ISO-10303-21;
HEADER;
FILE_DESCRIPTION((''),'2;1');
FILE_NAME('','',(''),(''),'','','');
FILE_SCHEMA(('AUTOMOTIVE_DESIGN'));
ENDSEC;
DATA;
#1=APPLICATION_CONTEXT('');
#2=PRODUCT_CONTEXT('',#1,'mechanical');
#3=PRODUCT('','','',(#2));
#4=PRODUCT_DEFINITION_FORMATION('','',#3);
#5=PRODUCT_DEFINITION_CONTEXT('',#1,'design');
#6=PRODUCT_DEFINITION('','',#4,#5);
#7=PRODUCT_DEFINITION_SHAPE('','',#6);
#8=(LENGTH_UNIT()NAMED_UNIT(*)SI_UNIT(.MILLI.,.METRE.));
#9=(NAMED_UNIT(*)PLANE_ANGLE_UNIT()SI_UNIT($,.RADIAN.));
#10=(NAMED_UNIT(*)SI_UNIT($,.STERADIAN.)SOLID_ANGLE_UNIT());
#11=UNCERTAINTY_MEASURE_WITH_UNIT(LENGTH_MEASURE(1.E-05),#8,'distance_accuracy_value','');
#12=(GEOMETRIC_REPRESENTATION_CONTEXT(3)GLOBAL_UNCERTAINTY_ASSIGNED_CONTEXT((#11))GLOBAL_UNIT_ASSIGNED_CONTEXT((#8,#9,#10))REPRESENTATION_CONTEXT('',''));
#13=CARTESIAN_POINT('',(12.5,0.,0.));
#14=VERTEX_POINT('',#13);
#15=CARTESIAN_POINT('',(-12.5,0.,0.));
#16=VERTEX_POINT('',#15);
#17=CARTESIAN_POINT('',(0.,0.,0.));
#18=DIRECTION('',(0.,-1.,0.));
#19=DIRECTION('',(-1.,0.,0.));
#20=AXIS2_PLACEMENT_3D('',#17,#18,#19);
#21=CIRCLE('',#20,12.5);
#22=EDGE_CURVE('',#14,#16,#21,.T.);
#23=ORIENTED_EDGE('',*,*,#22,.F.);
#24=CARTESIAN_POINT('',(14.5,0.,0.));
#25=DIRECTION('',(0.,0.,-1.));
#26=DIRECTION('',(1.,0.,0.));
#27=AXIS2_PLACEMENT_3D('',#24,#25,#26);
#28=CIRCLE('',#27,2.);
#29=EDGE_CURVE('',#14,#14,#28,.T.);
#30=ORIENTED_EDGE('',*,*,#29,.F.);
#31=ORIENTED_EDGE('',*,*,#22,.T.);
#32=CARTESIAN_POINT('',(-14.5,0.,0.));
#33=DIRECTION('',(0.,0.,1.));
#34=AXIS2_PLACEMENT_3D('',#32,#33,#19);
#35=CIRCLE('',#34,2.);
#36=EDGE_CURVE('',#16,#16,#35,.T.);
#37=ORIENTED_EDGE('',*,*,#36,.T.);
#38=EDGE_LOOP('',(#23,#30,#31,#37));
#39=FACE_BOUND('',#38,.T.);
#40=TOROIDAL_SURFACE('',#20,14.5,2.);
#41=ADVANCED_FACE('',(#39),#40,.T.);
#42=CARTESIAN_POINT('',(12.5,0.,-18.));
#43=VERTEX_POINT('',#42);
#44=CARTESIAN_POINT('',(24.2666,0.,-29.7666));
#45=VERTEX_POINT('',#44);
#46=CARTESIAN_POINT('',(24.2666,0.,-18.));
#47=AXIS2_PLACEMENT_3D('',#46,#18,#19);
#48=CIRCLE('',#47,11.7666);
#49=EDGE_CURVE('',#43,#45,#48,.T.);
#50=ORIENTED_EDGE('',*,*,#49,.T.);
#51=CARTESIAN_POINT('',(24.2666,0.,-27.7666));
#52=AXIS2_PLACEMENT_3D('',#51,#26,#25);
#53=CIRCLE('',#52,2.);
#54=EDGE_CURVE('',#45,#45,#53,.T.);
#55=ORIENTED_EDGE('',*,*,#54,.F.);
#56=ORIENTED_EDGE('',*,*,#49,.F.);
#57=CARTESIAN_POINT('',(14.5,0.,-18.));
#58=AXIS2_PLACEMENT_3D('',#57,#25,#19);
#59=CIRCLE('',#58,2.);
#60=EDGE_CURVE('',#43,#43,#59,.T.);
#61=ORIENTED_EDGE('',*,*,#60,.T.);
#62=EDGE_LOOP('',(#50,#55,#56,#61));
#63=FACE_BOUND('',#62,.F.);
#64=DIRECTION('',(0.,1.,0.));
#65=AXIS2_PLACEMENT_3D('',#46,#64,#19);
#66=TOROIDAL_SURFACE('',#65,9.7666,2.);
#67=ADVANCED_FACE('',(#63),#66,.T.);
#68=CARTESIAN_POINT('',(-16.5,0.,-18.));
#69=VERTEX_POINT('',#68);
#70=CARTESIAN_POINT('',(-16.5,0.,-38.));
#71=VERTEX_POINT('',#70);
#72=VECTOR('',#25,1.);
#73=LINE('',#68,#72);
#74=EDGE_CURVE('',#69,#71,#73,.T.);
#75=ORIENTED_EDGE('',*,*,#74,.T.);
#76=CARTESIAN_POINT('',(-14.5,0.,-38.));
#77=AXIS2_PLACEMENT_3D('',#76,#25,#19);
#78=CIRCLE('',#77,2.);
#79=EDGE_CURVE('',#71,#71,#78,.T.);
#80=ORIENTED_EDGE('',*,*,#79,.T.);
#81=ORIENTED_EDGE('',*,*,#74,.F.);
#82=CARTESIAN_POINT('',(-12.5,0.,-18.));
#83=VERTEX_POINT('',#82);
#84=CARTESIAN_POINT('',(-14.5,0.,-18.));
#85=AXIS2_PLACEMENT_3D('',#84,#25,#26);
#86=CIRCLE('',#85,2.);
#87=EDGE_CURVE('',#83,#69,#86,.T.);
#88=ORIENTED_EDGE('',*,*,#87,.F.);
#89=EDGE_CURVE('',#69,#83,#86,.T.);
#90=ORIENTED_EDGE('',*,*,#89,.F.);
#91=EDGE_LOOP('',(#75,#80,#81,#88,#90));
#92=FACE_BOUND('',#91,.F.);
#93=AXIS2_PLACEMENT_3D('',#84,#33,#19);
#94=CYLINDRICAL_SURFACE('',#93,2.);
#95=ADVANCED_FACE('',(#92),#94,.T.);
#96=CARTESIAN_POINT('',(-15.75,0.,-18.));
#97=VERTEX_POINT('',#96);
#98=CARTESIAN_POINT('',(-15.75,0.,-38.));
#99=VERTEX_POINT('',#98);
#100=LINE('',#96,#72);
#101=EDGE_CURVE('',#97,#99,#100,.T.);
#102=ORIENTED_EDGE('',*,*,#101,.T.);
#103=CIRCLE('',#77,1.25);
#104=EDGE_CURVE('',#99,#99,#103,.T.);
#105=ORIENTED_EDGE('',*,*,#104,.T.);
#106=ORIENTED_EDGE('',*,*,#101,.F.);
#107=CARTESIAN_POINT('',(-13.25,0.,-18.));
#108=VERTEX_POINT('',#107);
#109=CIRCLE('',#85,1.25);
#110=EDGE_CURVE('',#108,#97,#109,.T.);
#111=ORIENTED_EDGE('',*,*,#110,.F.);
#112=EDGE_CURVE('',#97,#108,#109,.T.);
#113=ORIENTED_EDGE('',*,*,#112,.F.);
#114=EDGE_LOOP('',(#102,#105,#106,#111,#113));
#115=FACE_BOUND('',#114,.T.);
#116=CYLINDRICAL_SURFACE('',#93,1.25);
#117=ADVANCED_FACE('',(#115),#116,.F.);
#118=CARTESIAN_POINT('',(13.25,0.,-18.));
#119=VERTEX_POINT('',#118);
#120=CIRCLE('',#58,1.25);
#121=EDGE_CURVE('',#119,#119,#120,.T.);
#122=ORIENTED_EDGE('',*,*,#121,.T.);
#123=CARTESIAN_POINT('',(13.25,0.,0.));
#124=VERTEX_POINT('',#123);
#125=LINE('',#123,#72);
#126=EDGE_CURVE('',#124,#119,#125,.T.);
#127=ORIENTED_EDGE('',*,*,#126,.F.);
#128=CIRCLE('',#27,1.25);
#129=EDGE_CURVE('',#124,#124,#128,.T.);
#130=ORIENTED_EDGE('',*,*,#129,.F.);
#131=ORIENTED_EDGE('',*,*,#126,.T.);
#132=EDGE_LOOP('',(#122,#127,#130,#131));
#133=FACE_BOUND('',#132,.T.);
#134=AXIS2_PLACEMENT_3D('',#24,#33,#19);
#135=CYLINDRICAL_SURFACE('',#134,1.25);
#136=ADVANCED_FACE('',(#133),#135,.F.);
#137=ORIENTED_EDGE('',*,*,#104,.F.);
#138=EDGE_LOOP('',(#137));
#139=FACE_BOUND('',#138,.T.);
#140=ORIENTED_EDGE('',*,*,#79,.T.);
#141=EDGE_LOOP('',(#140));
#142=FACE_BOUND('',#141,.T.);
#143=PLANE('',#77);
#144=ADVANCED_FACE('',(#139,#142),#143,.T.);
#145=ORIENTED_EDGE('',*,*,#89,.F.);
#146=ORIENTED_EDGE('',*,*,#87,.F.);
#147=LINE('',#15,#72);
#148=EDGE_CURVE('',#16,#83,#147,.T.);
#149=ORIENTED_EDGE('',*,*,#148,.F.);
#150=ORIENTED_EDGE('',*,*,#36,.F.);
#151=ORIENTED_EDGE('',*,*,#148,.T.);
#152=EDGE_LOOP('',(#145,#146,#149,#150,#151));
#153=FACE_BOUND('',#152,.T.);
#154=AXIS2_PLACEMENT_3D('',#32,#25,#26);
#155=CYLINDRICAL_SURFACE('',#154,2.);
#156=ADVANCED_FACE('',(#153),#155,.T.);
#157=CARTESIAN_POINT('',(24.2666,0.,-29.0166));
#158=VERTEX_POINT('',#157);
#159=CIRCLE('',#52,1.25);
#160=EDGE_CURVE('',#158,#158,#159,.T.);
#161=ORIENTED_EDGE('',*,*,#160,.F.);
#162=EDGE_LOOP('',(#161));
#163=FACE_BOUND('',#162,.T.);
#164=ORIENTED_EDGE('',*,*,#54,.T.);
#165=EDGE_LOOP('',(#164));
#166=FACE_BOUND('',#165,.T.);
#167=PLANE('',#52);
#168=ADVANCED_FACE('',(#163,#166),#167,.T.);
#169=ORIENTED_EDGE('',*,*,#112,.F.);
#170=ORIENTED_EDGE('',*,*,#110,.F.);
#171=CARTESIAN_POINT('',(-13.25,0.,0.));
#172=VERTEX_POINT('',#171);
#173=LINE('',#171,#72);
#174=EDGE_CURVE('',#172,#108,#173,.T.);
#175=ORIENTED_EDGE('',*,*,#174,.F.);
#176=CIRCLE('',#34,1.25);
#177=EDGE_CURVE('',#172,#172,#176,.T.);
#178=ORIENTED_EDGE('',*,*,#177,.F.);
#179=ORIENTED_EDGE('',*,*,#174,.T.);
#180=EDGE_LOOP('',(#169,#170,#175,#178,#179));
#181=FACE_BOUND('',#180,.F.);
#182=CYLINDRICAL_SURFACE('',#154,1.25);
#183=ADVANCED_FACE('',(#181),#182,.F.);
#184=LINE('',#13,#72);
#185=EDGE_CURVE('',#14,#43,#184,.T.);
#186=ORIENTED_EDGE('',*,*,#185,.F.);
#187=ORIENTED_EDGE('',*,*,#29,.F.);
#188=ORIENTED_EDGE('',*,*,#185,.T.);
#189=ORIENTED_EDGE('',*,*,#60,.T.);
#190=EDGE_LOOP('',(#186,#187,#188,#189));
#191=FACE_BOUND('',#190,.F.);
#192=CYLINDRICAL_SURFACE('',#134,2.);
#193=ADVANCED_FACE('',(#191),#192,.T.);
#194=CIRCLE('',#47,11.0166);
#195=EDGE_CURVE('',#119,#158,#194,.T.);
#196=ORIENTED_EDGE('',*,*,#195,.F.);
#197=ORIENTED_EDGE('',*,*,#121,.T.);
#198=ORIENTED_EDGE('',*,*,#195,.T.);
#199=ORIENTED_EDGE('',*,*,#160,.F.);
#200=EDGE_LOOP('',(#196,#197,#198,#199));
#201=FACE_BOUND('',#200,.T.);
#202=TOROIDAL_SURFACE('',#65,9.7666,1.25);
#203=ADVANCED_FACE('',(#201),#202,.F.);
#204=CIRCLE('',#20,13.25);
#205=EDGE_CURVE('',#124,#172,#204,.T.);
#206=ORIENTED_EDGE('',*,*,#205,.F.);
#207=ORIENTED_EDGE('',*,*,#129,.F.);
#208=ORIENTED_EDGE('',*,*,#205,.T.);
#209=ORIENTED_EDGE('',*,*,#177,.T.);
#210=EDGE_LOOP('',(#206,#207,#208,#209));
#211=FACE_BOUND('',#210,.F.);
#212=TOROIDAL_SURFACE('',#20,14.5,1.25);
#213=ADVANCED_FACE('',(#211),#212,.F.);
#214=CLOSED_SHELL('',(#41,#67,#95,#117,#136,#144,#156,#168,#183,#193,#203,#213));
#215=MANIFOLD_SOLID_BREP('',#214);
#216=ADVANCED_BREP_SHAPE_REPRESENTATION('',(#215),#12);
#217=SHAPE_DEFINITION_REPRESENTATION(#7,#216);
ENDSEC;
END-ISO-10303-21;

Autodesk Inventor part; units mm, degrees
ref_plane "YZ Plane" through (0, 0, 0) normal (1, 0, 0) x (0, 1, 0)
ref_plane "XZ Plane" through (0, 0, 0) normal (0, 1, 0) x (-1, 0, 0)
sketch "Sketch1" plane through (0, 0, 0) normal (0, 1, 0) x (-1, 0, 0)
  arc A0 (14.5, 0) -> (-14.5, 0) centre (0, 0) ccw
  line L0 (14.5, 0) -> (14.5, -18)
  line L1 (-14.5, 0) -> (-14.5, -18)
  dimension "d0" = 29
  dimension "d9" = 18
ref_plane "Work Plane1" through (-14.5, 0, -18) normal (0, 0, 1) x (1, 0, 0)
sketch "Sketch2" plane through (-14.5, 0, -18) normal (0, 0, 1) x (1, 0, 0)
  circle A0 centre (0, 0) radius 2
  circle A1 centre (0, 0) radius 1.25
  point P0 (14.5, 0)
  dimension "d1" = 4
  dimension "d2" = 2.5
sweep "Sweep1" add profiles "Sketch2" path "Sketch1" path curves L0 A0
sketch "Sketch3" plane through (14.5, 0, 0) normal (0, 0, -1) x (-1, 0, 0)
  circle A0 centre (0, 0) radius 1.25 projected
  circle A1 centre (0, 0) radius 2 projected
  point P0 (14.5, 0)
extrude "Extrusion1" add sketch "Sketch3" along normal up to surface (18 mm away)
sketch "Sketch5" plane through (14.5, 0, -18) normal (0, 0, -1) x (-1, 0, 0)
  line L0 (-9.7666, -8.325) -> (-9.7666, 9.6914)
  circle A0 centre (0, 0) radius 1.25 projected
  circle A1 centre (0, 0) radius 2 projected
  point P0 (14.5, 0)
revolve "Revolution2" add sketch "Sketch5" angle 90 about axis through (24.2666, -8.325, -18) along (0, -1, 0)
sketch "Sketch6" plane through (-14.5, 0, -18) normal (0, 0, -1) x (-1, 0, 0)
  circle A0 centre (0, 0) radius 1.25 projected
  circle A1 centre (0, 0) radius 2 projected
  point P0 (-14.5, 0)
extrude "Extrusion2" add sketch "Sketch6" along normal blind 20
properties part number "Hose"
